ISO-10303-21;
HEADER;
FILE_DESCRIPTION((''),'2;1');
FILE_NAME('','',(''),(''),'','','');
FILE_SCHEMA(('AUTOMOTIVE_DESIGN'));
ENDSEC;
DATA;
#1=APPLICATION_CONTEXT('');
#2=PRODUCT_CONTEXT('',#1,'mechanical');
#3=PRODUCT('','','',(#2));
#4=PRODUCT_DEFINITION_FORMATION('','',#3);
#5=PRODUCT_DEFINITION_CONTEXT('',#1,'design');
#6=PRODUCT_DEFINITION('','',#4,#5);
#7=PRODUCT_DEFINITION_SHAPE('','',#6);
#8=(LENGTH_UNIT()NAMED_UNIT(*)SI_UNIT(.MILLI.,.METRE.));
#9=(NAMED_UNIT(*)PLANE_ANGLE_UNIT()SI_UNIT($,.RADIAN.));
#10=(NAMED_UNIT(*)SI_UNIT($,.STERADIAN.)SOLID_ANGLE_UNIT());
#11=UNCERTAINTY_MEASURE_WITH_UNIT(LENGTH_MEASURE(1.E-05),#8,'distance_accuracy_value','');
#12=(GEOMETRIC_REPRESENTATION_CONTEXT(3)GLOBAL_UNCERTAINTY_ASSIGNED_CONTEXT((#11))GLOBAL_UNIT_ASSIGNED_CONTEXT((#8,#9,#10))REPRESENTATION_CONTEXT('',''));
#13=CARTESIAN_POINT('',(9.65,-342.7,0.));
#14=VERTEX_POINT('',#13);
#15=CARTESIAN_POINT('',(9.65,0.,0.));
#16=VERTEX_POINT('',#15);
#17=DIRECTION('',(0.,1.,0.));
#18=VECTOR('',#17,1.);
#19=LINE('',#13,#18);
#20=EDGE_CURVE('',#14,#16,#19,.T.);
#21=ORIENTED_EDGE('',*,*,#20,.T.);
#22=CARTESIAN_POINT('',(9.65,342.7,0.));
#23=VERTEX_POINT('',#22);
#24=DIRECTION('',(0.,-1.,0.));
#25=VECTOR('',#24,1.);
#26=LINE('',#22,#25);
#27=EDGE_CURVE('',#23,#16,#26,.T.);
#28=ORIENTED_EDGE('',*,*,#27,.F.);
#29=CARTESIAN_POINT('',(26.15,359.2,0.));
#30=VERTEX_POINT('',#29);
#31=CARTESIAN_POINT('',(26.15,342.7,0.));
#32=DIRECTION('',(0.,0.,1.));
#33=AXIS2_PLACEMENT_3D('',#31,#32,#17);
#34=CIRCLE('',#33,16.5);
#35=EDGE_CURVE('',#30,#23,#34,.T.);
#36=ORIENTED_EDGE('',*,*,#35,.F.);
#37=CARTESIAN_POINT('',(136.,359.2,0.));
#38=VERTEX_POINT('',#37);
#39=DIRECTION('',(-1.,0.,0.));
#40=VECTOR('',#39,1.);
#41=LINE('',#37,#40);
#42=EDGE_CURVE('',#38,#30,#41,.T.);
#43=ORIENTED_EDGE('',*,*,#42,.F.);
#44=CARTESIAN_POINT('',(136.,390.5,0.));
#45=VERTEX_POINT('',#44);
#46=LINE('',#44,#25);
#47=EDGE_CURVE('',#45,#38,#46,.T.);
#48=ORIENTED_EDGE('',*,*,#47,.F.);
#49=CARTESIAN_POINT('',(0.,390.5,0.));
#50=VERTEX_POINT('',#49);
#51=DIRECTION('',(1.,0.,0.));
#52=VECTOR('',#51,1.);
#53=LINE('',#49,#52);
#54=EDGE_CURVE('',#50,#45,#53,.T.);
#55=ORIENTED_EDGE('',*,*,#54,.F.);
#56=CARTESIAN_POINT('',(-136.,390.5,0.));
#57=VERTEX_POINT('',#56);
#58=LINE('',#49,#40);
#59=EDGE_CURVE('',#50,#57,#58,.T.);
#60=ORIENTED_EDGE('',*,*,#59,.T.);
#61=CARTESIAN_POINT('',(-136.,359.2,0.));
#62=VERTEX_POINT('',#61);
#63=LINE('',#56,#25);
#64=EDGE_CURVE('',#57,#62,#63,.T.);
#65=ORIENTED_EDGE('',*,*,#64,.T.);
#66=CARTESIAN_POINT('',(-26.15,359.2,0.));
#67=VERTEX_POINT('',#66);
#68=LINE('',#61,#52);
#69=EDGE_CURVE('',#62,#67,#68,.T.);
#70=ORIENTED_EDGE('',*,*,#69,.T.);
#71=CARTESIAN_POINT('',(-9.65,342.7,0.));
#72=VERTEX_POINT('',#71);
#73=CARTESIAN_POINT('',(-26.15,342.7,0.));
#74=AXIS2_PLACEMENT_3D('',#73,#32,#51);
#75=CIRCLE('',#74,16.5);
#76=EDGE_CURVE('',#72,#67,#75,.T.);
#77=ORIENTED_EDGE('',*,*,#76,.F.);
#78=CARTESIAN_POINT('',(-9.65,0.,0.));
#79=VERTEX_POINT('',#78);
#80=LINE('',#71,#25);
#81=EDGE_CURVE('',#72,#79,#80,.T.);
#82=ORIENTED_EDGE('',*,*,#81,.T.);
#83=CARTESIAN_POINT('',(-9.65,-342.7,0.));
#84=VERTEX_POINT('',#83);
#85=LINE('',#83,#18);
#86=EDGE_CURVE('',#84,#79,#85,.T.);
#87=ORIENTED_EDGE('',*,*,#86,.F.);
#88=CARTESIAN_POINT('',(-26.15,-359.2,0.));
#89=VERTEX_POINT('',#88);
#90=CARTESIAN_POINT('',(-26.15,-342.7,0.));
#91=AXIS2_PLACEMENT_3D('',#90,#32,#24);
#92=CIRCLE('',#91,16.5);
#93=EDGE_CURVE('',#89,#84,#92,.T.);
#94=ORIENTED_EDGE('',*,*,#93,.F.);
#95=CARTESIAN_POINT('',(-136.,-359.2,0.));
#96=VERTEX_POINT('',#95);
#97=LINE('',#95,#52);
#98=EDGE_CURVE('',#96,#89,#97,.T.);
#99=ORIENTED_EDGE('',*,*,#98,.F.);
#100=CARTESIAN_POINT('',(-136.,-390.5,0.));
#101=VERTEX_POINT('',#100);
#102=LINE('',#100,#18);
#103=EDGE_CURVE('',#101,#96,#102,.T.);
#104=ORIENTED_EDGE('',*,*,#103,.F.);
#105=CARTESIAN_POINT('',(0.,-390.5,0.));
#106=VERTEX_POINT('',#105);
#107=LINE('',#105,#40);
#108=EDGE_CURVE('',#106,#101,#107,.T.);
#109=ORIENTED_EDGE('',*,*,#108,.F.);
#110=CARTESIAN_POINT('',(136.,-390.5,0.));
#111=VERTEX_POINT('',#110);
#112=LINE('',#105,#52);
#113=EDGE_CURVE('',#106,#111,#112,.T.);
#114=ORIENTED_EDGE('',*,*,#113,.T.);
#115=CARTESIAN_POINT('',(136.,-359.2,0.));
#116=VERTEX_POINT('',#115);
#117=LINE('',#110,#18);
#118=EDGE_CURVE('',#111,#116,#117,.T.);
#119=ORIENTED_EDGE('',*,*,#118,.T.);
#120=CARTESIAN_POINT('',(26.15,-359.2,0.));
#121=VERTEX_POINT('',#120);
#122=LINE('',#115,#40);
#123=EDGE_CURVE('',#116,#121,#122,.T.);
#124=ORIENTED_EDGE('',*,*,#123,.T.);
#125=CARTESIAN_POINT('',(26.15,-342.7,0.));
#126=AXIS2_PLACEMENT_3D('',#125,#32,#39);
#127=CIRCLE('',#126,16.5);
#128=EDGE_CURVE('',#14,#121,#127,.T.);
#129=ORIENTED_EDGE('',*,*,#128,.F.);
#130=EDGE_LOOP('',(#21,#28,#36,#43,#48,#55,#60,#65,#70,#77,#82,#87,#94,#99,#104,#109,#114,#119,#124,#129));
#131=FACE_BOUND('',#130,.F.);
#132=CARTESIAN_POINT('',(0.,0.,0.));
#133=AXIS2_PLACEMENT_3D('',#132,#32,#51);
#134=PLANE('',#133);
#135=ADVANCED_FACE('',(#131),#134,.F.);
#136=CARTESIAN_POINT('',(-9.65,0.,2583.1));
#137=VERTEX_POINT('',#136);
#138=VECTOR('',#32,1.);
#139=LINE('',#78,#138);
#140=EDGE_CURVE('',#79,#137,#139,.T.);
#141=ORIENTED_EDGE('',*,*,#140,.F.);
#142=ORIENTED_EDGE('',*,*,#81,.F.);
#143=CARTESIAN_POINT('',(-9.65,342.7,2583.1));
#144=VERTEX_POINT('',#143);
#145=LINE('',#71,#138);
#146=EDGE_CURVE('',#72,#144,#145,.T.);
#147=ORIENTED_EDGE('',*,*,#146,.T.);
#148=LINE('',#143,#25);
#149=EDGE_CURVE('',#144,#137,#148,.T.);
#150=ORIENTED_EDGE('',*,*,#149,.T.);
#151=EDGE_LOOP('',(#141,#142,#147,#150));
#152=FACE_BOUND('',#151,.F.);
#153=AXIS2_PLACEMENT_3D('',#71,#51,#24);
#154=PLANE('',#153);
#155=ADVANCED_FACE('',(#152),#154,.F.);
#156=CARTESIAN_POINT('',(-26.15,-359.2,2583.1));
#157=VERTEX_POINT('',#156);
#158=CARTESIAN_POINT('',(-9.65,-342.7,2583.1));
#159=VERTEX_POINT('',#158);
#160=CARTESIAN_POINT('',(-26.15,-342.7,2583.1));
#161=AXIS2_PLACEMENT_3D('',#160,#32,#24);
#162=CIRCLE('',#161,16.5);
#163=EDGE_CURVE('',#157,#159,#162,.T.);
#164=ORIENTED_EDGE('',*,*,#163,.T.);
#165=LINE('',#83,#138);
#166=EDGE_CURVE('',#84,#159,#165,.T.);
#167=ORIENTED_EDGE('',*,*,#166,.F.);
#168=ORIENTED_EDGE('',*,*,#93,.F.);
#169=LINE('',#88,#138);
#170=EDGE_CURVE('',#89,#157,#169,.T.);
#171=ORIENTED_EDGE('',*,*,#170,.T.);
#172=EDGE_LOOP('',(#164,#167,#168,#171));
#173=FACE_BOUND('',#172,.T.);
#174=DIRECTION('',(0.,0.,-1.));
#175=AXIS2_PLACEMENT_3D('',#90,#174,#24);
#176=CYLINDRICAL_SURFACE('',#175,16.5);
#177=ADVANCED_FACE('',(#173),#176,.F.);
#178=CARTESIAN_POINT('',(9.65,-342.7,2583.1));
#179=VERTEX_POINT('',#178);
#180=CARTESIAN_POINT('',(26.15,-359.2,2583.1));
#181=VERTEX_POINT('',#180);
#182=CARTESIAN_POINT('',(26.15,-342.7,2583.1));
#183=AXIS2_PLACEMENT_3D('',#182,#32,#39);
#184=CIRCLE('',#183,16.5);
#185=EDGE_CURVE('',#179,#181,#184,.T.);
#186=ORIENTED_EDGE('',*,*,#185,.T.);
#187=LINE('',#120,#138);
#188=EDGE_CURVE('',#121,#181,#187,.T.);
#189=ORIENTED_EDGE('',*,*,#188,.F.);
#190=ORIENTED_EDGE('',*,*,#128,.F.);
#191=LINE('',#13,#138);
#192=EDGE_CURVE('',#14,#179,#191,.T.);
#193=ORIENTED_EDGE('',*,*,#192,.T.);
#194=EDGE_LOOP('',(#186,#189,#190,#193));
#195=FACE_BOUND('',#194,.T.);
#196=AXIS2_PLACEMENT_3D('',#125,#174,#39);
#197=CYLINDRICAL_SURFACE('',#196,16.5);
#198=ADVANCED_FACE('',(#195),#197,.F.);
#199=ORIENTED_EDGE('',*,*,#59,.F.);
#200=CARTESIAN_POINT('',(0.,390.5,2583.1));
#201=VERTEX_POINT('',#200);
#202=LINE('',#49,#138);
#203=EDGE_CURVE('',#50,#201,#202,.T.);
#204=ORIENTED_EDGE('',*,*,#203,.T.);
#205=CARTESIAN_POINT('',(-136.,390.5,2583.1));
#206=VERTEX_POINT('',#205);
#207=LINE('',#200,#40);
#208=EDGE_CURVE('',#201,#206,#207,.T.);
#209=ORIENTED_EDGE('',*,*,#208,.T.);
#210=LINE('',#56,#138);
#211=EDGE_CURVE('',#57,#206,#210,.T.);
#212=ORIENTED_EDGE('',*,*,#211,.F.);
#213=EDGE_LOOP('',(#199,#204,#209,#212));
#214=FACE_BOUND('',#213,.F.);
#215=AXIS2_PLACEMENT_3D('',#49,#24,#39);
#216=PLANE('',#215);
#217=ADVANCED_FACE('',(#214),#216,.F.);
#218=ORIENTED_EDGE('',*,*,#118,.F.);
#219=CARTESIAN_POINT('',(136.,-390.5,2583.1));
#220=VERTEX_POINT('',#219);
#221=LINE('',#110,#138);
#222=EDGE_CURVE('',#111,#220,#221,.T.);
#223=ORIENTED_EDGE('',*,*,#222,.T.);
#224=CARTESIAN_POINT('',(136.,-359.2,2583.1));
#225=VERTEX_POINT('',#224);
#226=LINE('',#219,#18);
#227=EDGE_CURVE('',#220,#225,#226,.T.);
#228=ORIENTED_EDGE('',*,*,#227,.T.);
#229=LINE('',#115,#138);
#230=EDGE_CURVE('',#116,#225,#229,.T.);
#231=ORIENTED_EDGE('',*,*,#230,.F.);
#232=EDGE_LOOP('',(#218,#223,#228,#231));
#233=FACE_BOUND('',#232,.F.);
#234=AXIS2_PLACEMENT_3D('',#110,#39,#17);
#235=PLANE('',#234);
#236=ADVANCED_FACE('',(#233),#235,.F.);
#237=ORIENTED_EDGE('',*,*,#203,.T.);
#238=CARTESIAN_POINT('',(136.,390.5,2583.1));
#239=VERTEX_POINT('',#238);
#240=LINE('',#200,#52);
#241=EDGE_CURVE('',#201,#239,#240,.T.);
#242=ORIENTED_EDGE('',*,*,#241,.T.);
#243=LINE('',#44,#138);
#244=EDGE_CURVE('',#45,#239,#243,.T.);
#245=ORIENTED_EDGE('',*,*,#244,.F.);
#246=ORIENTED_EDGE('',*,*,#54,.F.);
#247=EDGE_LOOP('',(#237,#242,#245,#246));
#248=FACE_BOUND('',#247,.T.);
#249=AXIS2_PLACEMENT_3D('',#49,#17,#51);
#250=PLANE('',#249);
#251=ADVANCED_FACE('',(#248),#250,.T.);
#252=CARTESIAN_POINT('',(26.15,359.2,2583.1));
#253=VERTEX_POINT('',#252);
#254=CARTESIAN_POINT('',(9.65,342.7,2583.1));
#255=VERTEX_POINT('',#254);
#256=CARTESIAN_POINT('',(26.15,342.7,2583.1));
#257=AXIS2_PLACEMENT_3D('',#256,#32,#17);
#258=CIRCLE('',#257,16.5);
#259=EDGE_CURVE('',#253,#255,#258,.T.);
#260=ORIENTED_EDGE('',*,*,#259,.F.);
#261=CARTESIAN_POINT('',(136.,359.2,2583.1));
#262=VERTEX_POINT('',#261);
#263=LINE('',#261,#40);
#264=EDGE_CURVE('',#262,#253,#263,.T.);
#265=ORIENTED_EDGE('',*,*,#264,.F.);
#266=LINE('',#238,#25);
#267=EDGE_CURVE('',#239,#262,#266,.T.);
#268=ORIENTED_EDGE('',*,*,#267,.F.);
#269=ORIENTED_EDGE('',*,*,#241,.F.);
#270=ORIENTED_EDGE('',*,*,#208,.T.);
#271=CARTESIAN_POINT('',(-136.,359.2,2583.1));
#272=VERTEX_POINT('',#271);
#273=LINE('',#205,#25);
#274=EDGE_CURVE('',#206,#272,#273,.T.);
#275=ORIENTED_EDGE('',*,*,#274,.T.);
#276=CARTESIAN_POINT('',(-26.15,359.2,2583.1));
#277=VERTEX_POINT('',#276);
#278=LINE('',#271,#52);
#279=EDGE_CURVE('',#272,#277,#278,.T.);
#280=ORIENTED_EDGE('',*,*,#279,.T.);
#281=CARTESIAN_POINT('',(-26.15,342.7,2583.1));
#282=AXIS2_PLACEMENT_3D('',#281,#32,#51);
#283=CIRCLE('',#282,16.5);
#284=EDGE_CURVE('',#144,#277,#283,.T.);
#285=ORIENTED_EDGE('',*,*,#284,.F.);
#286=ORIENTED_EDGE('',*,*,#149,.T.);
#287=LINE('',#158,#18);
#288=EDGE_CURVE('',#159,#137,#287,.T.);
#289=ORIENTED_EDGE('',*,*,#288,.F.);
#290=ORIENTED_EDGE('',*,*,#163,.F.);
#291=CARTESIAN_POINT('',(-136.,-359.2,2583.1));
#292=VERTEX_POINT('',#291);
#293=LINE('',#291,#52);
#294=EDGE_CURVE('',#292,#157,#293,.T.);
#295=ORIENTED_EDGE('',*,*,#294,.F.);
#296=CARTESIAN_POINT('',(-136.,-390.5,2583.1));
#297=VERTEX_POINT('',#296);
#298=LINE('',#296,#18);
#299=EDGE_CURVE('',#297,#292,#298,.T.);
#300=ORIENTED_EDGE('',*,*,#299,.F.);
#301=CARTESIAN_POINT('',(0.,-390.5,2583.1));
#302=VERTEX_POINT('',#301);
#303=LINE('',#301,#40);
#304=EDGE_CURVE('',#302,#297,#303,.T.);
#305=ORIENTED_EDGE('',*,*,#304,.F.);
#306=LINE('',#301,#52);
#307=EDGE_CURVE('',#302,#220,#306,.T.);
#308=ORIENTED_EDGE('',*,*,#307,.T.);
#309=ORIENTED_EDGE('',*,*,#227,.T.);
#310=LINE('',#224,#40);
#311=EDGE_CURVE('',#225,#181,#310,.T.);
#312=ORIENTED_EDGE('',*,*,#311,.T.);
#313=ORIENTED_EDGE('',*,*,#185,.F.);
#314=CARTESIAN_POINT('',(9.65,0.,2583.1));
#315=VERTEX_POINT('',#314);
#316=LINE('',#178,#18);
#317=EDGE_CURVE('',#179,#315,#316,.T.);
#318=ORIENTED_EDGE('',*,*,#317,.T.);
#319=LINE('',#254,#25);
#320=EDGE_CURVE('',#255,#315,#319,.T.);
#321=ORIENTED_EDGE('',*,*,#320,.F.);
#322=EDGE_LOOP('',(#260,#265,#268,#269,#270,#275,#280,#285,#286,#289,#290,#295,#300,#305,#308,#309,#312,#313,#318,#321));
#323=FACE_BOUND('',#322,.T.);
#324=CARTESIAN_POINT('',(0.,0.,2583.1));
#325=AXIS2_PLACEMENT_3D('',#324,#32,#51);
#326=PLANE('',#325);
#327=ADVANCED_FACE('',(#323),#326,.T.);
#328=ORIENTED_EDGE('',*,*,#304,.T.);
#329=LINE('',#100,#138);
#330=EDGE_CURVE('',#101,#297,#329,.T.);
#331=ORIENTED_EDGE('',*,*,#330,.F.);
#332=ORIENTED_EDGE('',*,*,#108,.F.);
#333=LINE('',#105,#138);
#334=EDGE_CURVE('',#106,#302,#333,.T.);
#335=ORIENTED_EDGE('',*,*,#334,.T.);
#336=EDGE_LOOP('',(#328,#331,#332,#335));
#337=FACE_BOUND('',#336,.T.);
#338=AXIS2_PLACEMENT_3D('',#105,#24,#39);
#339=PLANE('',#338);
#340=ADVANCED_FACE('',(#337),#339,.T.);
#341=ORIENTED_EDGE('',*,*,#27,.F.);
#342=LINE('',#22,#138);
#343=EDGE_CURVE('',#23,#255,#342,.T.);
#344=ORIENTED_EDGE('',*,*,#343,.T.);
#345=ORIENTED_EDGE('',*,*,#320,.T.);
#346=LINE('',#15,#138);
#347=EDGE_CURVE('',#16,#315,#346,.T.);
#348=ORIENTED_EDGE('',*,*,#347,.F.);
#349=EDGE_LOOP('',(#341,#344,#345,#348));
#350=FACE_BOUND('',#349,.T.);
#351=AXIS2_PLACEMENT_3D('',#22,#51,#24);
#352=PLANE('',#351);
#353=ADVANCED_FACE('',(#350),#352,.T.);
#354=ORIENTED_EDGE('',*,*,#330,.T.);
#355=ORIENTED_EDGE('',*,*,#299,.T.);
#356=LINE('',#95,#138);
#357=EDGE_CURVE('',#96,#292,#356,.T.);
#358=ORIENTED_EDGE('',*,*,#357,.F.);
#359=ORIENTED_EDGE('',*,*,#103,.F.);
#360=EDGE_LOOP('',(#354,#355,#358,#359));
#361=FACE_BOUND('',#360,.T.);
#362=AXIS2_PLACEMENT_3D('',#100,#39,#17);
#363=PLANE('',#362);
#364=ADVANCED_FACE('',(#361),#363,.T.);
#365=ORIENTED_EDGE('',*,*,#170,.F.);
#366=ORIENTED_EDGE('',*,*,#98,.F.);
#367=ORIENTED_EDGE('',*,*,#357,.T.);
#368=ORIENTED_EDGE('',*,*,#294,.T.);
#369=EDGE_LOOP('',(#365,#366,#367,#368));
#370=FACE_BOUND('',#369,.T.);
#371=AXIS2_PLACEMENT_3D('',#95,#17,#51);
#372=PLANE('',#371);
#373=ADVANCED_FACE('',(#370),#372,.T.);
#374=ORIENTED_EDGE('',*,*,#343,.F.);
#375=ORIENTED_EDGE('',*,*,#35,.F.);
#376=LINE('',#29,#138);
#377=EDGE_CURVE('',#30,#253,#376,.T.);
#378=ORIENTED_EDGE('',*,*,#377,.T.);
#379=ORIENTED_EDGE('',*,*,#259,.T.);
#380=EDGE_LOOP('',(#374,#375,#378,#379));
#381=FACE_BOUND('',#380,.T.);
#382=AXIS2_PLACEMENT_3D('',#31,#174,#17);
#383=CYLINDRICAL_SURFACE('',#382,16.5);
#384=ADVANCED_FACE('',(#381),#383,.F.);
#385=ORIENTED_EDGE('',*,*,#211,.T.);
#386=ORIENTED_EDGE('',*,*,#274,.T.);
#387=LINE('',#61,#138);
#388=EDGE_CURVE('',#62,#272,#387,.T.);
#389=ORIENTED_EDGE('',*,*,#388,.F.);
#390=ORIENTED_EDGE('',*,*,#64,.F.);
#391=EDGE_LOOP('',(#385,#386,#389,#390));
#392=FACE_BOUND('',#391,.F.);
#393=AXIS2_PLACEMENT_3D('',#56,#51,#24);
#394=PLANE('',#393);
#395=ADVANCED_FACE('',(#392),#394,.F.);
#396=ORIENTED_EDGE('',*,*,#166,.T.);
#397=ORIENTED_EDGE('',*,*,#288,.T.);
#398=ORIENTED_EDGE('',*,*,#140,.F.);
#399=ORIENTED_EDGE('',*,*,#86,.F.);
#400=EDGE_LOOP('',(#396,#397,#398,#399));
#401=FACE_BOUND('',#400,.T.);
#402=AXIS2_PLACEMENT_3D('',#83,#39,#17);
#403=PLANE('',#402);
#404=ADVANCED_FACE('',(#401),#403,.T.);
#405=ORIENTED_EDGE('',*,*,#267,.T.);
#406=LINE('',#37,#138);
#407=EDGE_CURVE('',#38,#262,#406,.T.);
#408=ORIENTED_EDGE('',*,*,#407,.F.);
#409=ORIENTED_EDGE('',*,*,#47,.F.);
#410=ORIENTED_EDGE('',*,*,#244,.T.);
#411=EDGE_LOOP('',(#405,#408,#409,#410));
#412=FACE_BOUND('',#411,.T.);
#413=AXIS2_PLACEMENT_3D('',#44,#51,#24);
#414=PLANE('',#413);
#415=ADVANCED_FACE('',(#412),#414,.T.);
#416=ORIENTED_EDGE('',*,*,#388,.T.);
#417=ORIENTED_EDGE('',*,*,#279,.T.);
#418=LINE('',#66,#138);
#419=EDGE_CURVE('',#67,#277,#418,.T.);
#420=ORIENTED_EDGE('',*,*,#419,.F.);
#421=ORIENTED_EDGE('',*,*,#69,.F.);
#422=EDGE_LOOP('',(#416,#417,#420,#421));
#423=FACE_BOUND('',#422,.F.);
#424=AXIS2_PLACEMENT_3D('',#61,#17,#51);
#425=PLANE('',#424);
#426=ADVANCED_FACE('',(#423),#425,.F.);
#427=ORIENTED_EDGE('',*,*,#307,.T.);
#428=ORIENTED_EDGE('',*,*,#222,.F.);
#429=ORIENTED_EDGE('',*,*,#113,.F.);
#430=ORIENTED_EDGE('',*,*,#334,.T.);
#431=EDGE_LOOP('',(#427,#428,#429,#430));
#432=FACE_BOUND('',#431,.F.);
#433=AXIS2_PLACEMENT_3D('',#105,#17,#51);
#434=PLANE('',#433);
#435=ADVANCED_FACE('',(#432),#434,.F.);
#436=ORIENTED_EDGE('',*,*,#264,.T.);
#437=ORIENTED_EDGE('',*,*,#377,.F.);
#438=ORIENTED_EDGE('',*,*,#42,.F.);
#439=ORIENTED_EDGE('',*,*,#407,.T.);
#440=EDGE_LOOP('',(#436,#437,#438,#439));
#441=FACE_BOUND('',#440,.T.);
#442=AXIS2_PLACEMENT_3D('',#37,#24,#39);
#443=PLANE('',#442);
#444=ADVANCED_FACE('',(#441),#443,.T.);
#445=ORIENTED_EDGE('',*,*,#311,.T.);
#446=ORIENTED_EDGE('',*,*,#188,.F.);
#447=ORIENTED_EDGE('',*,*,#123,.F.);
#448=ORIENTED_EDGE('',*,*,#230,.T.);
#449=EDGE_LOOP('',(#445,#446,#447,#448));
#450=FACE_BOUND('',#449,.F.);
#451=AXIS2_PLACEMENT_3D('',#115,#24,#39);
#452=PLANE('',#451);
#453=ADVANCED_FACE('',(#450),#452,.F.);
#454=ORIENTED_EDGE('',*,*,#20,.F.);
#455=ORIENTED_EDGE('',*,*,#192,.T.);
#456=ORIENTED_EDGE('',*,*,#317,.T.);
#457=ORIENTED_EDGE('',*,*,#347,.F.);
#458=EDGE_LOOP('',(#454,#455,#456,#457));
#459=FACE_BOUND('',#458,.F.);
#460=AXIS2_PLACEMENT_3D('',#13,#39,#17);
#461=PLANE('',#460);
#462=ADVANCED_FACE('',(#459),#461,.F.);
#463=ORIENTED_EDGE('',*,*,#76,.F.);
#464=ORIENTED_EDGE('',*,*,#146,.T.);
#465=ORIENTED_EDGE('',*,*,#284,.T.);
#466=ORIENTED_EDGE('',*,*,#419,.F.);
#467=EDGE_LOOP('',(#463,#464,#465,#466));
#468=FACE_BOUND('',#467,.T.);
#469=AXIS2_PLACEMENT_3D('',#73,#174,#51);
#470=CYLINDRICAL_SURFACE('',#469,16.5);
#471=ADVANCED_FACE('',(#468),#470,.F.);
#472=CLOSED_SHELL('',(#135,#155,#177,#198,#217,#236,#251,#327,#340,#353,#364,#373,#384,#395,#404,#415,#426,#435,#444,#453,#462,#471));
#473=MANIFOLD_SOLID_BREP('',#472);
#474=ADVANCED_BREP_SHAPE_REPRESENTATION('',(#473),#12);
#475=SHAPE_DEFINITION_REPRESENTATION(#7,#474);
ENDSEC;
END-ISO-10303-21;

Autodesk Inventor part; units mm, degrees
ref_plane "YZ Plane" through (0, 0, 0) normal (1, 0, 0) x (0, 1, 0)
ref_plane "Start plane" through (0, 0, 0) normal (0, 0, 1) x (1, 0, 0)
ref_plane "End plane" through (0, 0, 2583.1) normal (0, 0, 1) x (1, 0, 0)
sketch "Sketch" plane through (0, 0, 0) normal (0, 0, 1) x (1, 0, 0)
  line L0 (-136, -390.5) -> (-136, -359.2)
  line L1 (-136, -359.2) -> (-26.15, -359.2)
  line L2 (-9.65, -342.7) -> (-9.65, 0)
  line L3 (-9.65, 0) -> (0, 0) construction
  line L4 (0, 0) -> (0, -390.5) construction
  line L5 (0, -390.5) -> (-136, -390.5)
  line L6 (-60, 0) -> (80, 0) construction
  line L7 (0, -60) -> (0, 80) construction
  line L8 (136, -390.5) -> (136, -359.2)
  line L9 (136, -359.2) -> (26.15, -359.2)
  line L10 (9.65, -342.7) -> (9.65, 0)
  line L11 (9.65, 0) -> (0, 0) construction
  line L12 (0, -390.5) -> (136, -390.5)
  line L13 (-136, 390.5) -> (-136, 359.2)
  line L14 (-136, 359.2) -> (-26.15, 359.2)
  line L15 (-9.65, 342.7) -> (-9.65, 0)
  line L16 (0, 390.5) -> (-136, 390.5)
  line L17 (136, 390.5) -> (136, 359.2)
  line L18 (136, 359.2) -> (26.15, 359.2)
  line L19 (0, 390.5) -> (136, 390.5)
  line L20 (9.65, 342.7) -> (9.65, 0)
  arc A0 (-9.65, 342.7) -> (-26.15, 359.2) centre (-26.15, 342.7) ccw
  arc A1 (26.15, 359.2) -> (9.65, 342.7) centre (26.15, 342.7) ccw
  arc A2 (9.65, -342.7) -> (26.15, -359.2) centre (26.15, -342.7) ccw
  arc A3 (-26.15, -359.2) -> (-9.65, -342.7) centre (-26.15, -342.7) ccw
  line L21 (0, 108) -> (0, -88) construction
  line L22 (-88, 0) -> (108, 0) construction
  point P0 (-9.65, -359.2)
  point P1 (9.65, -359.2)
  point P2 (-9.65, 359.2)
  point P3 (9.65, 359.2)
  dimension "d1" = 390.5
  dimension "d2" = 31.3
  dimension "d3" = 136
  dimension "d4" = 9.65
  dimension "d10" = 16.5
extrude "Body" add sketch "Sketch" along normal up to surface (2583.1 mm away) from surface at 0
sketch "Sketch4" plane through (0, 0, 0) normal (0, 0, 1) x (1, 0, 0)
  line L0 (0, 0) -> (10, 0)
ref_plane "Work Plane3" through (0, 0, 0) normal (0, -1, 0) x (1, 0, 0)
sketch "Sketch5" plane through (0, 0, 0) normal (0, -1, 0) x (1, 0, 0)
  line L0 (-2, 0) -> (12, 0) projected
  line L1 (-2, 2583.1) -> (12, 2583.1) projected
  dimension "d14" = 2583.1
equation "\"d1\" = 0.5 * G_H"
equation "\"d2\" = G_T1"
equation "\"d3\" = 0.5 * G_W"
equation "\"d4\" = 0.5 * G_T"
equation "\"d10\" = G_IR"
equation "\"d5\" = G_L"
equation "\"G_W\" = 272"
equation "\"G_H\" = 781"
equation "\"G_T\" = 19.3"
equation "\"G_T1\" = 31.3"
equation "\"G_IR\" = 16.5"
equation "\"G_L\" = d14"
equation "\"G_OFFSET_START\" = 0"
equation "\"G_OFFSET_END\" = 0"
equation "\"d12\" = G_OFFSET_END + B_L"
equation "\"B_L\" = 2583.1"
properties part number "AS 3679-1990 - 760 UB - 244 - 2583.1" material "Steel, Mild"
